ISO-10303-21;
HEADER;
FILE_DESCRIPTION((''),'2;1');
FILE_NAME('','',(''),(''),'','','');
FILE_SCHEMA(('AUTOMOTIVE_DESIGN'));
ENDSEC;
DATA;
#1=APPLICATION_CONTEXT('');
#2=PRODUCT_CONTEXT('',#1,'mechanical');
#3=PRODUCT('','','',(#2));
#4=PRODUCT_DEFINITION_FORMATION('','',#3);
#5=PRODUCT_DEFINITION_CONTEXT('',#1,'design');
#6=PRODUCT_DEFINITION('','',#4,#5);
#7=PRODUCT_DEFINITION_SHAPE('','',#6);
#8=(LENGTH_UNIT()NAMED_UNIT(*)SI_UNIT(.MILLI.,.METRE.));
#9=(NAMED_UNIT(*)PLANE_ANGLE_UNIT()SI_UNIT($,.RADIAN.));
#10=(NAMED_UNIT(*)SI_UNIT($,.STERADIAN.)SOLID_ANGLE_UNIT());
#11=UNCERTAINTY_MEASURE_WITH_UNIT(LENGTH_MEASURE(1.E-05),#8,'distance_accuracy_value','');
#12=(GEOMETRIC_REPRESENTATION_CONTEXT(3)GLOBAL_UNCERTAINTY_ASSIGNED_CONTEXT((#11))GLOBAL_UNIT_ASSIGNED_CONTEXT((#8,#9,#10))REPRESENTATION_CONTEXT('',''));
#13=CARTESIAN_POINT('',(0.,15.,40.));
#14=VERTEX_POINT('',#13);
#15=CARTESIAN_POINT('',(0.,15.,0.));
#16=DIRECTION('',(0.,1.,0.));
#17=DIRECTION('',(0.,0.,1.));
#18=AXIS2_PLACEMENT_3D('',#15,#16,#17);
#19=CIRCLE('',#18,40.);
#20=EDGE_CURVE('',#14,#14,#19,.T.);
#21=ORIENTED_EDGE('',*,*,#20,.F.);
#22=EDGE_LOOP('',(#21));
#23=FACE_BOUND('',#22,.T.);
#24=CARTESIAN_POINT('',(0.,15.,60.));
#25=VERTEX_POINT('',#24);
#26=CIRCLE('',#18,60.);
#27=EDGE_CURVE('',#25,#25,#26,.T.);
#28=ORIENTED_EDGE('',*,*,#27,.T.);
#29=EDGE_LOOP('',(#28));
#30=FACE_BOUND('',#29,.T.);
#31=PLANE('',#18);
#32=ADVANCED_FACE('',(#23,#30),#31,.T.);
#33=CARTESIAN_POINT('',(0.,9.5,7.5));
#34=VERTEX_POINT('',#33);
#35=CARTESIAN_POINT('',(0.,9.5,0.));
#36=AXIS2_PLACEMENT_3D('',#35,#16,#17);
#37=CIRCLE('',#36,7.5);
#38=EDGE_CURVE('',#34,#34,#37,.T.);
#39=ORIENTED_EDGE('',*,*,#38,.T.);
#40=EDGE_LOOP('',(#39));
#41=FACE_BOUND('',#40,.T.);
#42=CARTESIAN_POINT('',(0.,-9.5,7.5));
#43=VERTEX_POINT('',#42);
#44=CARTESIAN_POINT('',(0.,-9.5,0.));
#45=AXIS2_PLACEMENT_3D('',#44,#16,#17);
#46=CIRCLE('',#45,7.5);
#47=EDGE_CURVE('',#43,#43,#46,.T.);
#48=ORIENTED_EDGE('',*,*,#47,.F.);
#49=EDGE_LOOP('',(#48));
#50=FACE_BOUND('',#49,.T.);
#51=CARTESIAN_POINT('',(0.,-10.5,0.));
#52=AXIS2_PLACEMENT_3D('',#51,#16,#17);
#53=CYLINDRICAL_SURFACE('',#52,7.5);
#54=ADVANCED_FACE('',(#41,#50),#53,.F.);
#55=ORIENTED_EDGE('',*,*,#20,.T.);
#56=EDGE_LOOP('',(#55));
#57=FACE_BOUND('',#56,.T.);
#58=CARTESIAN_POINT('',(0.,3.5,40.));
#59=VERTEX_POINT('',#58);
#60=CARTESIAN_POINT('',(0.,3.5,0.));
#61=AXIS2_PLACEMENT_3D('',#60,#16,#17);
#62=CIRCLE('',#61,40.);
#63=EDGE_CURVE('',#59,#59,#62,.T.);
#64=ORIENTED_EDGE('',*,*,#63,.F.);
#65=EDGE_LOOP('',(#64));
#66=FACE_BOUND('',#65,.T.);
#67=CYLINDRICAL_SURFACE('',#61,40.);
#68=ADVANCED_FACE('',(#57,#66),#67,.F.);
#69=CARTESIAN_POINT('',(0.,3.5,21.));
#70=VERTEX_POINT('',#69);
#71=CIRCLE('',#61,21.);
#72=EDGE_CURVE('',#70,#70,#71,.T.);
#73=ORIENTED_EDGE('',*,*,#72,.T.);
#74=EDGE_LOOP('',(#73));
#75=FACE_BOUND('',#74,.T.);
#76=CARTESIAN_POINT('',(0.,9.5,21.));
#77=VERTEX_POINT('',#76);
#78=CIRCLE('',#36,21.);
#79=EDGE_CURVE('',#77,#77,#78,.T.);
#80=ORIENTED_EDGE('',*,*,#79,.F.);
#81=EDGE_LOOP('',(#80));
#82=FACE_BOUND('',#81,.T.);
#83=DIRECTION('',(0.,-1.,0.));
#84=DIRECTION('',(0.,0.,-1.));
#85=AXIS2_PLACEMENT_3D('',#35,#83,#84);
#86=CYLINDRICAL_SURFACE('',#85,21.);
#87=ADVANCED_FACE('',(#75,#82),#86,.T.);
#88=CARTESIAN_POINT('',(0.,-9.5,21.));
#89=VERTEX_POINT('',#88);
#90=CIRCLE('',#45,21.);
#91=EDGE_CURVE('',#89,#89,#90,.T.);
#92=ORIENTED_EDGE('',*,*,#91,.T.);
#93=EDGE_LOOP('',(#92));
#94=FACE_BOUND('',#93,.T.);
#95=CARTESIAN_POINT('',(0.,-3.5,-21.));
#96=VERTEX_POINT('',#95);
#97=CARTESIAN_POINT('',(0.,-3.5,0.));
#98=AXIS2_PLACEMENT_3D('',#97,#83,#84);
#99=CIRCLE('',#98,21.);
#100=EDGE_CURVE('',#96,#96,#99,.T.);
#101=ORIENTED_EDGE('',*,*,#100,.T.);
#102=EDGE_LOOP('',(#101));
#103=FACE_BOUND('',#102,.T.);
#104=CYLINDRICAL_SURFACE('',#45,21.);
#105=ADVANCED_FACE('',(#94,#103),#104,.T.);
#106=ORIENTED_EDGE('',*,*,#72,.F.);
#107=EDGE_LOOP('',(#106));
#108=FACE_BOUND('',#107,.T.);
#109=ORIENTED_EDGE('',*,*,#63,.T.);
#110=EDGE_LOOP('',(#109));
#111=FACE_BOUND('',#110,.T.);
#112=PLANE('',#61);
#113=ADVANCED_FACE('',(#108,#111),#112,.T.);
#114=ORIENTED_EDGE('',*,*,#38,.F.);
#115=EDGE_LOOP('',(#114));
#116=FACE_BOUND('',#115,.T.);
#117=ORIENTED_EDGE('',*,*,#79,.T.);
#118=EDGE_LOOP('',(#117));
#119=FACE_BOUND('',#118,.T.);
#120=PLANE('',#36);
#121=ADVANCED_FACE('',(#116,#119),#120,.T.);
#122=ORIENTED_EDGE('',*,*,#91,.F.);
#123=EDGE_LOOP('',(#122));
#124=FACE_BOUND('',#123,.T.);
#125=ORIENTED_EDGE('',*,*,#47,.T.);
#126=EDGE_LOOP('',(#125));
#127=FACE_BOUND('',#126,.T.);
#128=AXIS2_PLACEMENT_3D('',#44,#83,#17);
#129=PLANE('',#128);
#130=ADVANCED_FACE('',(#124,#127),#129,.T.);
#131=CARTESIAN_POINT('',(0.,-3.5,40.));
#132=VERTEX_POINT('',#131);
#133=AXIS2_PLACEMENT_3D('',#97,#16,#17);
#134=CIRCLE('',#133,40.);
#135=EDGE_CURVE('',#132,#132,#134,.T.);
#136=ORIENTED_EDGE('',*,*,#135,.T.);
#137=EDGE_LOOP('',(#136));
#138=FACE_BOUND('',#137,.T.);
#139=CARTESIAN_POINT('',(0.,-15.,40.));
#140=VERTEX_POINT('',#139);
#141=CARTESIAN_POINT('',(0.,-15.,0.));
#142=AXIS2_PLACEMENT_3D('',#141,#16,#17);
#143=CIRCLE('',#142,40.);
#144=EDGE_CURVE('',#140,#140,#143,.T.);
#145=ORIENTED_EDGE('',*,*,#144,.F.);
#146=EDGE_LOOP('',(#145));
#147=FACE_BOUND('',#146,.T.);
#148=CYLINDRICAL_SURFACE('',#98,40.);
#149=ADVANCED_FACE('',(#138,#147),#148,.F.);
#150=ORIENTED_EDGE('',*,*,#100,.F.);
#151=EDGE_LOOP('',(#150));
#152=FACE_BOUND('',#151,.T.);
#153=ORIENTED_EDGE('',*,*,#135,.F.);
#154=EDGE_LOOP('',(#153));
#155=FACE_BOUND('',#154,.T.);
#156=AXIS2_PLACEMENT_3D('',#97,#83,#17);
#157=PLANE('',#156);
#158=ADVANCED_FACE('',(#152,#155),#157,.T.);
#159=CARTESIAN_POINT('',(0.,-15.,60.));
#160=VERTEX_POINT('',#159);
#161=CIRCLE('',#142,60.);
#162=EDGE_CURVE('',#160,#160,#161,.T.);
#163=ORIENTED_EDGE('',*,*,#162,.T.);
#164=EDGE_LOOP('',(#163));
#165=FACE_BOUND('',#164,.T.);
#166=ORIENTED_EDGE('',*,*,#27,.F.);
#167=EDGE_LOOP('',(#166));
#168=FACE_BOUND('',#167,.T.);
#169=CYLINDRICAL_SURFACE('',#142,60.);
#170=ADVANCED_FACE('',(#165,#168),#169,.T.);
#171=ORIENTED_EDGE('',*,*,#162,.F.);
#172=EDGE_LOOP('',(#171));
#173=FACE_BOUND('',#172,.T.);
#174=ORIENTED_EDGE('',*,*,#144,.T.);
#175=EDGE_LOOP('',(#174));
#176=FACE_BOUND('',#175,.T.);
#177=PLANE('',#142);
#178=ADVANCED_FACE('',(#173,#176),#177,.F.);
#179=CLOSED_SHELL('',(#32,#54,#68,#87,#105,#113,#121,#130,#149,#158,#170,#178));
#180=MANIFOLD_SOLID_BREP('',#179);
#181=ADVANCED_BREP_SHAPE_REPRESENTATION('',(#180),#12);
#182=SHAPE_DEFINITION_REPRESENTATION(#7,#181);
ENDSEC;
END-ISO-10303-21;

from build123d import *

# Parameters (mm, degrees)
BOSS_EXTRUDE1_DEPTH      = 15
BOSS_EXTRUDE1_DEPTH_BACK = 15
SKETCH2_R                = 60
SKETCH3_R                = 40
CUT_EXTRUDE1_DEPTH       = 11.5
SKETCH4_R                = 21
BOSS_EXTRUDE2_DEPTH      = 6
SKETCH5_R                = 7.5
CUT_EXTRUDE2_DEPTH       = 20


with BuildPart() as part:
    # Sketch2 → Boss-Extrude1 (new, two sides: drawn at the far end of the back side and taken through both)
    with BuildSketch(Plane(origin=(0, 0, 0), x_dir=(1, 0, 0), z_dir=(0, 1, 0)).offset(-BOSS_EXTRUDE1_DEPTH_BACK)):
        Circle(SKETCH2_R)
    extrude(amount=BOSS_EXTRUDE1_DEPTH + BOSS_EXTRUDE1_DEPTH_BACK)

    # Sketch3 → Cut-Extrude1 (cut)
    with BuildSketch(Plane(origin=(0, 15, 0), x_dir=(1, 0, 0), z_dir=(0, 1, 0))):
        Circle(SKETCH3_R)
    cut_extrude1 = extrude(amount=-CUT_EXTRUDE1_DEPTH, mode=Mode.SUBTRACT)

    # Sketch4 → Boss-Extrude2 (add)
    with BuildSketch(Plane(origin=(0, 3.5, 0), x_dir=(1, 0, 0), z_dir=(0, 1, 0))):
        Circle(SKETCH4_R)
    boss_extrude2 = extrude(amount=BOSS_EXTRUDE2_DEPTH)

    # Sketch5 → Cut-Extrude2 (cut)
    with BuildSketch(Plane(origin=(0, 9.5, 0), x_dir=(1, 0, 0), z_dir=(0, 1, 0))):
        Circle(SKETCH5_R)
    cut_extrude2 = extrude(amount=-CUT_EXTRUDE2_DEPTH, mode=Mode.SUBTRACT)

    # Mirror1: Cut-Extrude1, Boss-Extrude2, Cut-Extrude2 across plane
    add(cut_extrude1.mirror(Plane.ZX), mode=Mode.SUBTRACT)
    add(boss_extrude2.mirror(Plane.ZX))
    add(cut_extrude2.mirror(Plane.ZX), mode=Mode.SUBTRACT)


solid = part.part
